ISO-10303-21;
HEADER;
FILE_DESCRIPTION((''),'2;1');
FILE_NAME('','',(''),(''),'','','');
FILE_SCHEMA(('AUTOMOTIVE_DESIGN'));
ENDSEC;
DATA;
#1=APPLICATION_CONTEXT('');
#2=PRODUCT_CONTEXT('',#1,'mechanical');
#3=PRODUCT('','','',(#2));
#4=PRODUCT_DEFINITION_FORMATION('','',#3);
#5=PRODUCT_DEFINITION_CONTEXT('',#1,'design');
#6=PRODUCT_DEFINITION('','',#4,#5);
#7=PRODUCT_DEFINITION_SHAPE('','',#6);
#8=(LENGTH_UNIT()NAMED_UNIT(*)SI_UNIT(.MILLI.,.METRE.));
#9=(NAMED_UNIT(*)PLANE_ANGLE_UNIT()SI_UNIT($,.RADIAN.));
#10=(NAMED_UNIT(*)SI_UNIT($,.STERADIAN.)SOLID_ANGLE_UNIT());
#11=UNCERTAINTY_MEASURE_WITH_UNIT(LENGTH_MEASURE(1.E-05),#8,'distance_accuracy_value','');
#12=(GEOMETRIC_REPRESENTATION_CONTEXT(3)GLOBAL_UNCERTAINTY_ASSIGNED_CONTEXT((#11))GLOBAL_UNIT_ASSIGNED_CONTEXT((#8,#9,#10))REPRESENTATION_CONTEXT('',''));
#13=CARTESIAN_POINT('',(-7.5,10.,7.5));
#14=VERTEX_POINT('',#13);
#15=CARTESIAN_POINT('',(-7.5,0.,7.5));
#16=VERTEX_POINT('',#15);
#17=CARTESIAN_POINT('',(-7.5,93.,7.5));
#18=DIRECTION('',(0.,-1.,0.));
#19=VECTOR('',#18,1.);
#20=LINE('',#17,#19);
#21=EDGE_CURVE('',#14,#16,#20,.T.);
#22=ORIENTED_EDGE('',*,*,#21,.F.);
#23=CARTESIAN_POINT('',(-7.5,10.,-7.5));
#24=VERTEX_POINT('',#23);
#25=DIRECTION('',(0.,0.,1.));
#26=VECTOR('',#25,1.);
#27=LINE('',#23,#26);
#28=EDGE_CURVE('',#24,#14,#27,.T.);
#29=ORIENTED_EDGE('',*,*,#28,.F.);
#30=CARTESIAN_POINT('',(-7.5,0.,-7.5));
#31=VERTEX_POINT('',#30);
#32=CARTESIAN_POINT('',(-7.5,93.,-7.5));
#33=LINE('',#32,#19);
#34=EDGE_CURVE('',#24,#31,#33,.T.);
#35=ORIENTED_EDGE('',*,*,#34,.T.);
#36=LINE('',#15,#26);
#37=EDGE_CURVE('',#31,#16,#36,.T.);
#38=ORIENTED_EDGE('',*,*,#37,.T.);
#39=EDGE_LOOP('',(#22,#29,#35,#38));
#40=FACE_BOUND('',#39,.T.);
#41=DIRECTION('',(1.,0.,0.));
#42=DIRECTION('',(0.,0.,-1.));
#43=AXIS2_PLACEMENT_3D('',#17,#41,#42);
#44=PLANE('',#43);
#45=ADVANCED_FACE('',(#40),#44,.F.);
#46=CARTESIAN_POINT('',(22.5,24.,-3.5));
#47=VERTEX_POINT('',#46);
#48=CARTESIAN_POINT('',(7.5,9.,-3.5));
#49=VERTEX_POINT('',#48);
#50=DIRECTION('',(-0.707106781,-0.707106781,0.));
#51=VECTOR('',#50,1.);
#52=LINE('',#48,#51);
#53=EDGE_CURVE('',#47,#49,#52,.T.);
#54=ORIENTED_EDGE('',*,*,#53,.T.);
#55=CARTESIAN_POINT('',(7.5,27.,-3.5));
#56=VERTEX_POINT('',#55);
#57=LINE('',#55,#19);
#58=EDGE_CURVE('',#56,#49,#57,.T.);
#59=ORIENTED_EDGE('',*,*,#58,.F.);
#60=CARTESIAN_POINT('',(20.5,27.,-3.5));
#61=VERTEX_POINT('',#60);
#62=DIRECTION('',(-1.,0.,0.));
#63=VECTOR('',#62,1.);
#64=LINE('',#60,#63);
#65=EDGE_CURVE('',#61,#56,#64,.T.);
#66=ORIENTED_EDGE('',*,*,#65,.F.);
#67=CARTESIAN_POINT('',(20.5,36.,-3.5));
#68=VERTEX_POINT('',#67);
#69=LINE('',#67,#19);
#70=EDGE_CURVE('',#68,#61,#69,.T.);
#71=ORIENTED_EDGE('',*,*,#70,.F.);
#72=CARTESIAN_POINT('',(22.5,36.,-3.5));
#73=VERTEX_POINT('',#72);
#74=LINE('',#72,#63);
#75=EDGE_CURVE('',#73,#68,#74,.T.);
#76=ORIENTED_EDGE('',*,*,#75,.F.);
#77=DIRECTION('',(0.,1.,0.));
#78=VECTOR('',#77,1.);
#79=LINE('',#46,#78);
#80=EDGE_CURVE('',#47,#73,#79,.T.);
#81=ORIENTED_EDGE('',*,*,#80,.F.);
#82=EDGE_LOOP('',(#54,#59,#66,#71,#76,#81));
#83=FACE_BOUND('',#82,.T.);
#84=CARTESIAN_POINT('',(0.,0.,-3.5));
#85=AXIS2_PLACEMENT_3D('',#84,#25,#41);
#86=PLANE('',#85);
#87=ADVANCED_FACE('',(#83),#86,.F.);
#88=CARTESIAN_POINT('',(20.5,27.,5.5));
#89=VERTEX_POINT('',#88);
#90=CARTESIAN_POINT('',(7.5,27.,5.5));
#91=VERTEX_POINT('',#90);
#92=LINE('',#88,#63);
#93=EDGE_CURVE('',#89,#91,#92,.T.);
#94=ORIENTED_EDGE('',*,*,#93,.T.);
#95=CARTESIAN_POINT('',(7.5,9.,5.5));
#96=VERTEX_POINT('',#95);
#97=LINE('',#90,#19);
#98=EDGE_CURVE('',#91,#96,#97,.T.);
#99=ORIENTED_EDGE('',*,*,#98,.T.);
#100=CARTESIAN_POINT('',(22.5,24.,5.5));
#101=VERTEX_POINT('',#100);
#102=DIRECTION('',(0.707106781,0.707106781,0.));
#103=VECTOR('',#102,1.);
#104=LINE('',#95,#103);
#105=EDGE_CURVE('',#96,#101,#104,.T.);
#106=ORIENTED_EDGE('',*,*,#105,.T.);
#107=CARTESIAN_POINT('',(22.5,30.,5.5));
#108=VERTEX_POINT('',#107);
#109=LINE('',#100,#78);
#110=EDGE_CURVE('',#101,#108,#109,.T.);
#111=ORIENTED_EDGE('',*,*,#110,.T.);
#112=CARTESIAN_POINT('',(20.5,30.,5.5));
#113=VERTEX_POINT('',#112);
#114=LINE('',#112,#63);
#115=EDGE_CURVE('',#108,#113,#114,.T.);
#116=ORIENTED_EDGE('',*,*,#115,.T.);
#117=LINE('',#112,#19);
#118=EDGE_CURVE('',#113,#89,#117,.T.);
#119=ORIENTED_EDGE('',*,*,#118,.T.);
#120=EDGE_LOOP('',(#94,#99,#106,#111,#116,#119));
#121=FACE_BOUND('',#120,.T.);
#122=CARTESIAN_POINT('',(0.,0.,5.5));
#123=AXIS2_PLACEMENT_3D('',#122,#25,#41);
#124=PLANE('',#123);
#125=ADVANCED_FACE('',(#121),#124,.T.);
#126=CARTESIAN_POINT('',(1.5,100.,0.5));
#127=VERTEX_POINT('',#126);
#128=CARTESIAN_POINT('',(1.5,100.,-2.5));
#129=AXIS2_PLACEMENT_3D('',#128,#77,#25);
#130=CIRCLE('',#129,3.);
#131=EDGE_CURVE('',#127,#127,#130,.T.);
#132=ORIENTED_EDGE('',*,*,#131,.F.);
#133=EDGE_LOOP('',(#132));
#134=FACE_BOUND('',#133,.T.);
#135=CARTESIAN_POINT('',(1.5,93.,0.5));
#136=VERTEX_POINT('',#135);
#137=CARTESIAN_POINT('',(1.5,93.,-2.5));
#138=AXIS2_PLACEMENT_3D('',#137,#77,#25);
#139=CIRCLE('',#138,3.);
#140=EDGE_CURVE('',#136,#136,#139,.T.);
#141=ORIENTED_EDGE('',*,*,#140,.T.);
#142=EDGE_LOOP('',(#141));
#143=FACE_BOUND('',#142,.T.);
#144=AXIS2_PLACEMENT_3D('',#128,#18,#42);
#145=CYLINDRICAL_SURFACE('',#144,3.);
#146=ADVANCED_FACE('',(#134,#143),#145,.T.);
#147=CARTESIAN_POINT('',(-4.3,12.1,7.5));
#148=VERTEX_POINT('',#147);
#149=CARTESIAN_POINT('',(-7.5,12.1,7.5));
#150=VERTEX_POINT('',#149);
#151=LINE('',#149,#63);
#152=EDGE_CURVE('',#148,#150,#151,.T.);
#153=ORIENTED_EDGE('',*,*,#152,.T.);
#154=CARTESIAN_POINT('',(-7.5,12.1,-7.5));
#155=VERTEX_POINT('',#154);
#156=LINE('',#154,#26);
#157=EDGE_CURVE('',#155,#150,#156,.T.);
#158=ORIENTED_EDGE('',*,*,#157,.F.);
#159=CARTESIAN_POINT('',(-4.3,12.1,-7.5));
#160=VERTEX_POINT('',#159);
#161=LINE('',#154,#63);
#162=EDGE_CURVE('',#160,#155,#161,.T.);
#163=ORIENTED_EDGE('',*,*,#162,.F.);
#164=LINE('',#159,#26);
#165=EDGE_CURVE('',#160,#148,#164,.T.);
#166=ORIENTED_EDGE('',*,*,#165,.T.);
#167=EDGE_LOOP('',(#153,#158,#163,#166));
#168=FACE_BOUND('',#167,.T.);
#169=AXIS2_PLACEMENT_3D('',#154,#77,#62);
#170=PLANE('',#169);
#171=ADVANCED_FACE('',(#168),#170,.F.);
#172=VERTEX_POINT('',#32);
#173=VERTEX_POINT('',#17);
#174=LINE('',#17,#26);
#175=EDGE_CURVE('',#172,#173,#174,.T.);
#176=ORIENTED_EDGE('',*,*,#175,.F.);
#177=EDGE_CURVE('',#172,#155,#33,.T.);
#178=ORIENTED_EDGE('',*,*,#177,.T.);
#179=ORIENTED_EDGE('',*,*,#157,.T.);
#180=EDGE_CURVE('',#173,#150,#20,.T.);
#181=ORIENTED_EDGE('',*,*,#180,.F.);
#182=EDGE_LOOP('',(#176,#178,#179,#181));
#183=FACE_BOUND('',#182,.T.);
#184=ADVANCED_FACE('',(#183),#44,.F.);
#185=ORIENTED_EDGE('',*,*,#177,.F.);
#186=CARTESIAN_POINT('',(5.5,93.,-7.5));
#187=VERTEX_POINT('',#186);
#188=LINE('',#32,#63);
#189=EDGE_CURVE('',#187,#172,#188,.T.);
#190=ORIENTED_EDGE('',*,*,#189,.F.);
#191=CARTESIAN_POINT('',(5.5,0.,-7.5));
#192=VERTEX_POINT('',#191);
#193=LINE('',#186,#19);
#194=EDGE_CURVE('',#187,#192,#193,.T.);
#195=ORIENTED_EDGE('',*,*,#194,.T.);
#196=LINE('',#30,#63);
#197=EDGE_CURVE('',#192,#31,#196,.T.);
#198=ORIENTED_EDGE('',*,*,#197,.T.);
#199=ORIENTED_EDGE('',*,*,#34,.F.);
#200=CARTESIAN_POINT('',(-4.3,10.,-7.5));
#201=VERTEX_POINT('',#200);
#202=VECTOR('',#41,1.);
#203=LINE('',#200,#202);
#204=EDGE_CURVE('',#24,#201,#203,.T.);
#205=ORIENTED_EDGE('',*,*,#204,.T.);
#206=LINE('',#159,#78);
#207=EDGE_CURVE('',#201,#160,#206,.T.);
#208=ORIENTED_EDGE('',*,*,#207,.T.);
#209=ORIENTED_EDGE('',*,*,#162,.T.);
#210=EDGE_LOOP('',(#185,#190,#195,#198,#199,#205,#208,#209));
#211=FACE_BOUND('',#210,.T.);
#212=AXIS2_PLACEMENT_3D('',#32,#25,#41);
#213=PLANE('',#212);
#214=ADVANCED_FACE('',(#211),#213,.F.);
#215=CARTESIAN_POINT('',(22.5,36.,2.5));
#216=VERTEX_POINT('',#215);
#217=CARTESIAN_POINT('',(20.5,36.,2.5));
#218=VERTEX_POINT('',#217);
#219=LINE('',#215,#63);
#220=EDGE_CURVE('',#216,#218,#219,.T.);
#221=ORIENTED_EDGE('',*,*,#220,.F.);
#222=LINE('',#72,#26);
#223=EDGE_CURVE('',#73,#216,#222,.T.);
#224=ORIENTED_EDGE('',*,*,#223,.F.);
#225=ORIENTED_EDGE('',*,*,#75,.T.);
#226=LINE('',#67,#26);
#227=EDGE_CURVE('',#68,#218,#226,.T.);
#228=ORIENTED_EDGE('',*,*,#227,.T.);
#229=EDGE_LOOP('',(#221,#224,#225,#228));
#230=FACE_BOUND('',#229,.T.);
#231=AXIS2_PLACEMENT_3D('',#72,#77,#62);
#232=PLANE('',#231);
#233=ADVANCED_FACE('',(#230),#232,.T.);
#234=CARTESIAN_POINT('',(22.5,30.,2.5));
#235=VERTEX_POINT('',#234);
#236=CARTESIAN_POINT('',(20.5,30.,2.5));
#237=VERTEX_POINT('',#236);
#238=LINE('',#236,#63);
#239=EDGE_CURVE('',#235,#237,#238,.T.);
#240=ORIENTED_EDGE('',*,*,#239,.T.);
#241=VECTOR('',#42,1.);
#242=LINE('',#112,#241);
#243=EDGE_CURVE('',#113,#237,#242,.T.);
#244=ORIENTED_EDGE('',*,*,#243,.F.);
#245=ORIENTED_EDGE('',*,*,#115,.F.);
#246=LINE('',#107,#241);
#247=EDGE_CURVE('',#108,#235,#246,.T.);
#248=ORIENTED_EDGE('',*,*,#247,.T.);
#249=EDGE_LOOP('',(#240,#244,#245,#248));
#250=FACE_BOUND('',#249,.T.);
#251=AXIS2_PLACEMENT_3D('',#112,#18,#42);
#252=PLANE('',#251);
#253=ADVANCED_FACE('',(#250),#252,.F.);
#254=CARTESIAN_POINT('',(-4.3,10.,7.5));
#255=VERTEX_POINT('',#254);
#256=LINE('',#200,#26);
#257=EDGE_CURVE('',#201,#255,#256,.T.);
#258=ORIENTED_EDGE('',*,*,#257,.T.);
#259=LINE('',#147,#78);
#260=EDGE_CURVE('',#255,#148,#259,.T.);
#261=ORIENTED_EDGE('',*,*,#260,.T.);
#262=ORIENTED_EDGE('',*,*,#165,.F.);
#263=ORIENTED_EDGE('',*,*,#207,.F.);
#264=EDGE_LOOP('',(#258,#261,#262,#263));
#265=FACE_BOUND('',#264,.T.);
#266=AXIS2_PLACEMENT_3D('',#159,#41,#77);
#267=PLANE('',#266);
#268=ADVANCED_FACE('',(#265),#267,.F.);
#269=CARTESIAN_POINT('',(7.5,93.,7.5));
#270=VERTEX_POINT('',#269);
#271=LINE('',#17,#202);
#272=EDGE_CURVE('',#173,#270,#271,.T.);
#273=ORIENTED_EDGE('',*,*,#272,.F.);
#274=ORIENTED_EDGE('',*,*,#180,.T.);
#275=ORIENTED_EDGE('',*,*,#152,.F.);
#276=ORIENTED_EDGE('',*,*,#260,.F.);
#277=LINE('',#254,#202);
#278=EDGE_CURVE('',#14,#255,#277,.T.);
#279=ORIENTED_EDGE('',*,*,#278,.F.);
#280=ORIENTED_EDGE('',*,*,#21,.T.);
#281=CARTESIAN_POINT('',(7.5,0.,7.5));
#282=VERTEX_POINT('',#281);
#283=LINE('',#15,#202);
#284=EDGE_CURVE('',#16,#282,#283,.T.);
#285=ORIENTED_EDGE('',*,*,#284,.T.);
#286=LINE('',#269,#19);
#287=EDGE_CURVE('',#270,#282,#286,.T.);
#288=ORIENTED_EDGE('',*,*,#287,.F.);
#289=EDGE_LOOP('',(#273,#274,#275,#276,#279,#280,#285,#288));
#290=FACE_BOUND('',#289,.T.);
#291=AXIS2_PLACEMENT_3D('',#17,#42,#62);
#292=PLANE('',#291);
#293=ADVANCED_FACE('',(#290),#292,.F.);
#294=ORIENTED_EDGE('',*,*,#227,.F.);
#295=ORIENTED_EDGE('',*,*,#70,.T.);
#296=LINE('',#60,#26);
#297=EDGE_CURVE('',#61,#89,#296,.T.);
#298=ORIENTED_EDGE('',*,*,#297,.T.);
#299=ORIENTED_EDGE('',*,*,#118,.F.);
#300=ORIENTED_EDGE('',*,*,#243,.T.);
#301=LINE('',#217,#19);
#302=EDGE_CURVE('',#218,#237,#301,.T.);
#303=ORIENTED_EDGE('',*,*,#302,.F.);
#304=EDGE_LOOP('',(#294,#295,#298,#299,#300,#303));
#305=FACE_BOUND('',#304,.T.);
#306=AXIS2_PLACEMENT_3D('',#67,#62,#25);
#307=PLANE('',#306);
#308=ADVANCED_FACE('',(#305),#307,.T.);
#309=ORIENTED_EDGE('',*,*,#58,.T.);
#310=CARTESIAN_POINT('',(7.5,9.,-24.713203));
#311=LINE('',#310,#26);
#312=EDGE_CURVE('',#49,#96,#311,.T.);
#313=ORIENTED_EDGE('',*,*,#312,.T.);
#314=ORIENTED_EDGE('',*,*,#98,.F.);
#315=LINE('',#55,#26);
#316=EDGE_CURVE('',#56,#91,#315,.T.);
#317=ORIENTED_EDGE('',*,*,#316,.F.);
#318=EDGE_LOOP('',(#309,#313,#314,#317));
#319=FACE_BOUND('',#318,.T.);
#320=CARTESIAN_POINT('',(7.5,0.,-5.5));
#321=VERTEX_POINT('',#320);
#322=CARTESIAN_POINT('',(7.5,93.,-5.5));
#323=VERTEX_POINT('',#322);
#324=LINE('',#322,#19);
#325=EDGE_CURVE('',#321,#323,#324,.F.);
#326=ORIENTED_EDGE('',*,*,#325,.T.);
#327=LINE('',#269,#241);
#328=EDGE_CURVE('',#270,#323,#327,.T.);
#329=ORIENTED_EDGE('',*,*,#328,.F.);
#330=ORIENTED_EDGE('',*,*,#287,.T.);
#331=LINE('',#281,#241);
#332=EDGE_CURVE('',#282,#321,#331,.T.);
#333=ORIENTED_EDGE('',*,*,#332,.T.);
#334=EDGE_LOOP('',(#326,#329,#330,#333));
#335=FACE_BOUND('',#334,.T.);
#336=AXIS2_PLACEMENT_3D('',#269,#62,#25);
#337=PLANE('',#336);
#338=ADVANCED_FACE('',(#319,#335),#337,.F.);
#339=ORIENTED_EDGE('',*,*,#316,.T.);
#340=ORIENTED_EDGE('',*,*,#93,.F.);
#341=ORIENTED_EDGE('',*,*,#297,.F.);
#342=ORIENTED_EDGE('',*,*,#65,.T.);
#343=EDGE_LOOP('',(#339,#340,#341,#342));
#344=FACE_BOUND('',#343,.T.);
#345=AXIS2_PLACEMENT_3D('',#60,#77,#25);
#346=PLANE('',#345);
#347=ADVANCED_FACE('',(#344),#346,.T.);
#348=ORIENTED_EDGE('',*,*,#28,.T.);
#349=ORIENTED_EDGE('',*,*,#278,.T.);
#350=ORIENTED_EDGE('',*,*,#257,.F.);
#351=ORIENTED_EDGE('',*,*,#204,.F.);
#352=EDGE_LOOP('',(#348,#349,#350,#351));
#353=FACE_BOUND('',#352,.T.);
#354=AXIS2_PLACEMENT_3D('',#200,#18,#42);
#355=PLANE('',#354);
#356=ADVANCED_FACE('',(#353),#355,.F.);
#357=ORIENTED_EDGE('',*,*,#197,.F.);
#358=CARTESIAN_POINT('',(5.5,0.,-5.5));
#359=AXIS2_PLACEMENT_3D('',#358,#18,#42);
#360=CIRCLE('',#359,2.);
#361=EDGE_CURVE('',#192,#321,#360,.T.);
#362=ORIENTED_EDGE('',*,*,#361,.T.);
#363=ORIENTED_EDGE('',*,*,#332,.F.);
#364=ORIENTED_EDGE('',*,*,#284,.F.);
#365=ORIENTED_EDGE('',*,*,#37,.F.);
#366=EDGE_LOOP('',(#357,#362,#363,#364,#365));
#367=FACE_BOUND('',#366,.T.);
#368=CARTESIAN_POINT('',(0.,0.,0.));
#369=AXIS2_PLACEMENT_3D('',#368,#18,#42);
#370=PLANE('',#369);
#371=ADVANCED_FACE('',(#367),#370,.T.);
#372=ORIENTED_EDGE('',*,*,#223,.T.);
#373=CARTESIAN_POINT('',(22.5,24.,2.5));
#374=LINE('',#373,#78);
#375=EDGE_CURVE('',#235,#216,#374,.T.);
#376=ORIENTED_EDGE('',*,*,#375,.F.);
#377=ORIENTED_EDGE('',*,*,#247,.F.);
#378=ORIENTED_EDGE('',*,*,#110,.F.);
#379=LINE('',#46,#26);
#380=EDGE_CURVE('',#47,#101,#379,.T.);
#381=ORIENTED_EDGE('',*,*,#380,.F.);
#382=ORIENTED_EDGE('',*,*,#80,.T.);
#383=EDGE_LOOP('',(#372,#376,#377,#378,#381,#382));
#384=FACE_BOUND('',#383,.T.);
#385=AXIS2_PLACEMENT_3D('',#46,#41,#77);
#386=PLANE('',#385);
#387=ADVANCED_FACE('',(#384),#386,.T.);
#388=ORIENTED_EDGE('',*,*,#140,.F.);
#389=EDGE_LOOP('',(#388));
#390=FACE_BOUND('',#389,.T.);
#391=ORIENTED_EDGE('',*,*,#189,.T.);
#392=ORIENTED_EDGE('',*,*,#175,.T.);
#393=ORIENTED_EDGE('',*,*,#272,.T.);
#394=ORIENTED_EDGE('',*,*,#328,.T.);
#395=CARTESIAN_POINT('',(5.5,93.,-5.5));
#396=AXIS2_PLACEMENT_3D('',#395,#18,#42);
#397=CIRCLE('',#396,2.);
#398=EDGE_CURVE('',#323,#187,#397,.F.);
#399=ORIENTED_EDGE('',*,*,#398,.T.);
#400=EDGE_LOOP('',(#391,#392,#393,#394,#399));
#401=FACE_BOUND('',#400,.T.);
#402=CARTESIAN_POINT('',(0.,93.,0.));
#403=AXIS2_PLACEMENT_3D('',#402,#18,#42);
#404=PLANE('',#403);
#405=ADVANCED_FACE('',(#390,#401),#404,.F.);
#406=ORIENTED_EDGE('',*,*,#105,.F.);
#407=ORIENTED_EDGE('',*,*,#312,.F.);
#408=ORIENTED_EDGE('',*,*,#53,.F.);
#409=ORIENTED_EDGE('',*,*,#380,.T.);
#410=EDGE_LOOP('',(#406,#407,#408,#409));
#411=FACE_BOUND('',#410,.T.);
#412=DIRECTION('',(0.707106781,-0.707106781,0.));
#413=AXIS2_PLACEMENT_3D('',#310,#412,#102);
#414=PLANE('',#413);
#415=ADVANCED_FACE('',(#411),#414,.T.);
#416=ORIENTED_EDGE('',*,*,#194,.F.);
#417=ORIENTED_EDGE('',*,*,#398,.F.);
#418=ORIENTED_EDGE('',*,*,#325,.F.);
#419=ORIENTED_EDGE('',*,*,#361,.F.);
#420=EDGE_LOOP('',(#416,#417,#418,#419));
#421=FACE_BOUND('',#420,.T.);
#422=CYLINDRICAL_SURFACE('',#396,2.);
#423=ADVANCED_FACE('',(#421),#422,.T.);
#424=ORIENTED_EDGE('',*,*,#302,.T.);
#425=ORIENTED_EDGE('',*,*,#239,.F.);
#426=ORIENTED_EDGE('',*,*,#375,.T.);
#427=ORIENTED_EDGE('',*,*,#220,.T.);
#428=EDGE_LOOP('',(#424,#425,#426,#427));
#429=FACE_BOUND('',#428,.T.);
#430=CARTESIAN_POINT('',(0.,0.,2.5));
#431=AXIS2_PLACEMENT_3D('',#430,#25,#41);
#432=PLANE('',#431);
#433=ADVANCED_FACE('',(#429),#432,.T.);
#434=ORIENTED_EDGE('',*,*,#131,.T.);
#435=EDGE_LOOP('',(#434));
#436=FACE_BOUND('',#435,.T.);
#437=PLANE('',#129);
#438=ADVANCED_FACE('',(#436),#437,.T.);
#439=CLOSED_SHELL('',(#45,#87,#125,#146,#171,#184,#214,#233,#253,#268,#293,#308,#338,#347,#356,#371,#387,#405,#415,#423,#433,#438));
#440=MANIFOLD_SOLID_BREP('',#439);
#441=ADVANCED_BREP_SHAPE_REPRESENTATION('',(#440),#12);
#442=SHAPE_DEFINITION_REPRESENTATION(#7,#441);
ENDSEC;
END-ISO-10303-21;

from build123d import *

# Parameters (mm, degrees)
SKETCH1_W           = 15
SKETCH1_H           = 15
BOSS_EXTRUDE1_DEPTH = 93
SKETCH2_R           = 3
BOSS_EXTRUDE2_DEPTH = 7
SKETCH3_W           = 3.2
SKETCH3_H           = 2.1
CUT_EXTRUDE1_DEPTH  = 102.396498953
FILLET1_R           = 2
BOSS_EXTRUDE3_START = -5
BOSS_EXTRUDE3_DEPTH = 6
BOSS_EXTRUDE4_DEPTH = 3
BOSS_EXTRUDE5_DEPTH = 9


with BuildPart() as part:
    # Sketch1 → Boss-Extrude1 (new body)
    with BuildSketch(Plane(origin=(0, 0, 0), x_dir=(1, 0, 0), z_dir=(0, 1, 0))):
        Rectangle(SKETCH1_W, SKETCH1_H)
    extrude(amount=BOSS_EXTRUDE1_DEPTH)

    # Sketch2 → Boss-Extrude2 (add)
    with BuildSketch(Plane(origin=(0, 93, 0), x_dir=(1, 0, 0), z_dir=(0, 1, 0))):
        with Locations(Location((1.5, 2.5, 0), (0, 0, 270))):
            Circle(SKETCH2_R)
    extrude(amount=BOSS_EXTRUDE2_DEPTH)

    # Sketch3 → Cut-Extrude1 (cut, through all)
    with BuildSketch(Plane.XY.offset(7.5)):
        with Locations((-5.9, 11.05)):
            Rectangle(SKETCH3_W, SKETCH3_H)
    extrude(amount=-CUT_EXTRUDE1_DEPTH, mode=Mode.SUBTRACT)

    # Fillet1
    fillet1_edges = [part.edges().sort_by_distance(p)[0] for p in [
        (7.5, 46.5, -7.5),
    ]]
    fillet(fillet1_edges, radius=FILLET1_R)

    # Sketch4 → Boss-Extrude3 (add)
    with BuildSketch(Plane.XY.offset(7.5).offset(BOSS_EXTRUDE3_START)):
        Polygon((7.5, 24), (22.5, 24), (22.5, 36), (20.5, 36), (20.5, 27), (7.5, 27), align=None)
    extrude(amount=-BOSS_EXTRUDE3_DEPTH)

    # Sketch5 → Boss-Extrude4 (add)
    with BuildSketch(Plane.XY.offset(2.5)):
        Polygon((20.5, 30), (22.5, 30), (22.5, 24), (7.5, 24), (7.5, 27), (20.5, 27), align=None)
    extrude(amount=BOSS_EXTRUDE4_DEPTH)

    # Sketch6 → Boss-Extrude5 (add)
    with BuildSketch(Plane.XY.offset(5.5)):
        Polygon((22.5, 24), (7.5, 24), (7.5, 9), align=None)
    extrude(amount=-BOSS_EXTRUDE5_DEPTH)


solid = part.part
